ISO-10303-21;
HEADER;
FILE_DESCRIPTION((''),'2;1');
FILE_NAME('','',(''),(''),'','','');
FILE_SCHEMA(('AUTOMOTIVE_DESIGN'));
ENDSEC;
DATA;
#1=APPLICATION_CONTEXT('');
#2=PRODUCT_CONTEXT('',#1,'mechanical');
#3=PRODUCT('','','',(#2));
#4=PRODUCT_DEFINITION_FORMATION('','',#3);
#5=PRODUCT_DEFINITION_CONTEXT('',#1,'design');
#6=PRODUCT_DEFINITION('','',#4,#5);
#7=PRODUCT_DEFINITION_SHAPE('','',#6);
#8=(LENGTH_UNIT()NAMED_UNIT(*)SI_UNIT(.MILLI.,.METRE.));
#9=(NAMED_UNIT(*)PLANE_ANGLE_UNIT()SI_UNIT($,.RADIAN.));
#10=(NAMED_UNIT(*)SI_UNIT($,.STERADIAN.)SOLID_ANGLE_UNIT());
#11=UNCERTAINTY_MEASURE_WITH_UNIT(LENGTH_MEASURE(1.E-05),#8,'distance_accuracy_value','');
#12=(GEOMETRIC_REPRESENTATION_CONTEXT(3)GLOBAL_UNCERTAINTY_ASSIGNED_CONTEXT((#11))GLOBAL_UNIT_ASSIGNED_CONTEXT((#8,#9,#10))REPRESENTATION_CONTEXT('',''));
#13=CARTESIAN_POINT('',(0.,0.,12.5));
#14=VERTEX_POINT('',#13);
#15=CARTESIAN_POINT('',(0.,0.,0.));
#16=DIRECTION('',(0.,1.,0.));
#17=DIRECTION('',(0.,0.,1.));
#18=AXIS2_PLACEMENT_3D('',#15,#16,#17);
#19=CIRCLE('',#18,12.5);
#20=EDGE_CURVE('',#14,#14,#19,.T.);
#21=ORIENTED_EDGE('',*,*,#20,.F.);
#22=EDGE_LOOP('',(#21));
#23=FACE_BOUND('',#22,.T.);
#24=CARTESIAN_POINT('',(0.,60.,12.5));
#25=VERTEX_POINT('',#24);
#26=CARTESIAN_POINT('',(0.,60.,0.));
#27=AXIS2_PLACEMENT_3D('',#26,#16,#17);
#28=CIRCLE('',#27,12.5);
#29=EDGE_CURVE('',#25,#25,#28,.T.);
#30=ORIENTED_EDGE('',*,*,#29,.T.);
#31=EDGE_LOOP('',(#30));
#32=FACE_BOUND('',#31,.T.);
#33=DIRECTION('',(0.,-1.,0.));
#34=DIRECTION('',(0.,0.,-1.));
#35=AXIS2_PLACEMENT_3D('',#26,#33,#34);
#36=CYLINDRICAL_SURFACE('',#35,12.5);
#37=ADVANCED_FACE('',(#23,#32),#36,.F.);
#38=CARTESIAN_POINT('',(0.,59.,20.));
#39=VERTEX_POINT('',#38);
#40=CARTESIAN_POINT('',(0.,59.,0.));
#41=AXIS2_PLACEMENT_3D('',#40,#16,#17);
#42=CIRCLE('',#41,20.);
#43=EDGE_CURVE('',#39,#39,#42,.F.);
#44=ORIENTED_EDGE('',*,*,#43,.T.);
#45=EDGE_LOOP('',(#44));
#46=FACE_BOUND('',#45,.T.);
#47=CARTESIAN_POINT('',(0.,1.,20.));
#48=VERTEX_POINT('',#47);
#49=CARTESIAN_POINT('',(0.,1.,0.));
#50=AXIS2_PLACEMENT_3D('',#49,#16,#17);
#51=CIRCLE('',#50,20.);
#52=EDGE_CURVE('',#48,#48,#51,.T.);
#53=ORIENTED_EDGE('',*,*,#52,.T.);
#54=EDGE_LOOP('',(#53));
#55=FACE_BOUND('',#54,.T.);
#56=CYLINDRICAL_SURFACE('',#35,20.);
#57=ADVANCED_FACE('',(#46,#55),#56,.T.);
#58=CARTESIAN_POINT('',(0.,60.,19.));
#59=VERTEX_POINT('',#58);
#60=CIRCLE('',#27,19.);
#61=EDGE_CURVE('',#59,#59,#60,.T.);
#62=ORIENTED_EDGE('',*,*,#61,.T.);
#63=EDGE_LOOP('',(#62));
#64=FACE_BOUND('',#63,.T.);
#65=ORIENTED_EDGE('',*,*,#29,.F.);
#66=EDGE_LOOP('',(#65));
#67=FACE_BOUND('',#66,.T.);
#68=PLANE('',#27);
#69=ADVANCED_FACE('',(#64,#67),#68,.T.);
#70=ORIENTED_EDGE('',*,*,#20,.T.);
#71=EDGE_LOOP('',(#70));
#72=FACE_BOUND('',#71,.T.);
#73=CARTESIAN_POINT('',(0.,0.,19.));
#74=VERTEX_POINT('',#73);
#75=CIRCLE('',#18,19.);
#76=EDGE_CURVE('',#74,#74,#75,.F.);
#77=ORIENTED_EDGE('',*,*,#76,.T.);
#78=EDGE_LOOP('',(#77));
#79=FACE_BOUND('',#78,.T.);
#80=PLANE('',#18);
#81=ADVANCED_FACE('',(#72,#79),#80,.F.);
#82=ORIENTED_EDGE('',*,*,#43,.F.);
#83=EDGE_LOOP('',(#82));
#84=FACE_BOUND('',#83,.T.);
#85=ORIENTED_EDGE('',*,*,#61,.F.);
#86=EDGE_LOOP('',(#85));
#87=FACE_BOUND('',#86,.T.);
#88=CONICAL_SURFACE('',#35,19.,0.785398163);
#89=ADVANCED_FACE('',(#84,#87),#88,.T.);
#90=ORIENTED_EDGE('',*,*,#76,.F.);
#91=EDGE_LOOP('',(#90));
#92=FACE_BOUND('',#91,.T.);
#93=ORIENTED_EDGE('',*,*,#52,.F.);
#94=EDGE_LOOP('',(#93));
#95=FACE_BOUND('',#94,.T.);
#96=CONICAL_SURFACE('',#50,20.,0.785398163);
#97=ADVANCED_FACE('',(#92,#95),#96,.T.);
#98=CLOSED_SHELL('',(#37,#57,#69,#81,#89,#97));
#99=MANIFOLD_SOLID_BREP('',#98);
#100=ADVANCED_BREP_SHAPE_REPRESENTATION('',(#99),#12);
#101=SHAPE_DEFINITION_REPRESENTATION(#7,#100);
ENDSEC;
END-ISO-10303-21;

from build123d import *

# Parameters (mm, degrees)
SKETCH1_R           = 20
SKETCH1_R_2         = 12.5
BOSS_EXTRUDE1_DEPTH = 60
CHAMFER1_SIZE       = 1


with BuildPart() as part:
    # Sketch1 → Boss-Extrude1 (new body)
    with BuildSketch(Plane(origin=(0, 0, 0), x_dir=(1, 0, 0), z_dir=(0, 1, 0))):
        Circle(SKETCH1_R)
        Circle(SKETCH1_R_2, mode=Mode.SUBTRACT)
    extrude(amount=BOSS_EXTRUDE1_DEPTH)

    # Chamfer1
    chamfer1_edges = [part.edges().sort_by_distance(p)[0] for p in [
        (-20, 0, 0),
        (-20, 60, 0),
    ]]
    chamfer(chamfer1_edges, length=CHAMFER1_SIZE)


solid = part.part
